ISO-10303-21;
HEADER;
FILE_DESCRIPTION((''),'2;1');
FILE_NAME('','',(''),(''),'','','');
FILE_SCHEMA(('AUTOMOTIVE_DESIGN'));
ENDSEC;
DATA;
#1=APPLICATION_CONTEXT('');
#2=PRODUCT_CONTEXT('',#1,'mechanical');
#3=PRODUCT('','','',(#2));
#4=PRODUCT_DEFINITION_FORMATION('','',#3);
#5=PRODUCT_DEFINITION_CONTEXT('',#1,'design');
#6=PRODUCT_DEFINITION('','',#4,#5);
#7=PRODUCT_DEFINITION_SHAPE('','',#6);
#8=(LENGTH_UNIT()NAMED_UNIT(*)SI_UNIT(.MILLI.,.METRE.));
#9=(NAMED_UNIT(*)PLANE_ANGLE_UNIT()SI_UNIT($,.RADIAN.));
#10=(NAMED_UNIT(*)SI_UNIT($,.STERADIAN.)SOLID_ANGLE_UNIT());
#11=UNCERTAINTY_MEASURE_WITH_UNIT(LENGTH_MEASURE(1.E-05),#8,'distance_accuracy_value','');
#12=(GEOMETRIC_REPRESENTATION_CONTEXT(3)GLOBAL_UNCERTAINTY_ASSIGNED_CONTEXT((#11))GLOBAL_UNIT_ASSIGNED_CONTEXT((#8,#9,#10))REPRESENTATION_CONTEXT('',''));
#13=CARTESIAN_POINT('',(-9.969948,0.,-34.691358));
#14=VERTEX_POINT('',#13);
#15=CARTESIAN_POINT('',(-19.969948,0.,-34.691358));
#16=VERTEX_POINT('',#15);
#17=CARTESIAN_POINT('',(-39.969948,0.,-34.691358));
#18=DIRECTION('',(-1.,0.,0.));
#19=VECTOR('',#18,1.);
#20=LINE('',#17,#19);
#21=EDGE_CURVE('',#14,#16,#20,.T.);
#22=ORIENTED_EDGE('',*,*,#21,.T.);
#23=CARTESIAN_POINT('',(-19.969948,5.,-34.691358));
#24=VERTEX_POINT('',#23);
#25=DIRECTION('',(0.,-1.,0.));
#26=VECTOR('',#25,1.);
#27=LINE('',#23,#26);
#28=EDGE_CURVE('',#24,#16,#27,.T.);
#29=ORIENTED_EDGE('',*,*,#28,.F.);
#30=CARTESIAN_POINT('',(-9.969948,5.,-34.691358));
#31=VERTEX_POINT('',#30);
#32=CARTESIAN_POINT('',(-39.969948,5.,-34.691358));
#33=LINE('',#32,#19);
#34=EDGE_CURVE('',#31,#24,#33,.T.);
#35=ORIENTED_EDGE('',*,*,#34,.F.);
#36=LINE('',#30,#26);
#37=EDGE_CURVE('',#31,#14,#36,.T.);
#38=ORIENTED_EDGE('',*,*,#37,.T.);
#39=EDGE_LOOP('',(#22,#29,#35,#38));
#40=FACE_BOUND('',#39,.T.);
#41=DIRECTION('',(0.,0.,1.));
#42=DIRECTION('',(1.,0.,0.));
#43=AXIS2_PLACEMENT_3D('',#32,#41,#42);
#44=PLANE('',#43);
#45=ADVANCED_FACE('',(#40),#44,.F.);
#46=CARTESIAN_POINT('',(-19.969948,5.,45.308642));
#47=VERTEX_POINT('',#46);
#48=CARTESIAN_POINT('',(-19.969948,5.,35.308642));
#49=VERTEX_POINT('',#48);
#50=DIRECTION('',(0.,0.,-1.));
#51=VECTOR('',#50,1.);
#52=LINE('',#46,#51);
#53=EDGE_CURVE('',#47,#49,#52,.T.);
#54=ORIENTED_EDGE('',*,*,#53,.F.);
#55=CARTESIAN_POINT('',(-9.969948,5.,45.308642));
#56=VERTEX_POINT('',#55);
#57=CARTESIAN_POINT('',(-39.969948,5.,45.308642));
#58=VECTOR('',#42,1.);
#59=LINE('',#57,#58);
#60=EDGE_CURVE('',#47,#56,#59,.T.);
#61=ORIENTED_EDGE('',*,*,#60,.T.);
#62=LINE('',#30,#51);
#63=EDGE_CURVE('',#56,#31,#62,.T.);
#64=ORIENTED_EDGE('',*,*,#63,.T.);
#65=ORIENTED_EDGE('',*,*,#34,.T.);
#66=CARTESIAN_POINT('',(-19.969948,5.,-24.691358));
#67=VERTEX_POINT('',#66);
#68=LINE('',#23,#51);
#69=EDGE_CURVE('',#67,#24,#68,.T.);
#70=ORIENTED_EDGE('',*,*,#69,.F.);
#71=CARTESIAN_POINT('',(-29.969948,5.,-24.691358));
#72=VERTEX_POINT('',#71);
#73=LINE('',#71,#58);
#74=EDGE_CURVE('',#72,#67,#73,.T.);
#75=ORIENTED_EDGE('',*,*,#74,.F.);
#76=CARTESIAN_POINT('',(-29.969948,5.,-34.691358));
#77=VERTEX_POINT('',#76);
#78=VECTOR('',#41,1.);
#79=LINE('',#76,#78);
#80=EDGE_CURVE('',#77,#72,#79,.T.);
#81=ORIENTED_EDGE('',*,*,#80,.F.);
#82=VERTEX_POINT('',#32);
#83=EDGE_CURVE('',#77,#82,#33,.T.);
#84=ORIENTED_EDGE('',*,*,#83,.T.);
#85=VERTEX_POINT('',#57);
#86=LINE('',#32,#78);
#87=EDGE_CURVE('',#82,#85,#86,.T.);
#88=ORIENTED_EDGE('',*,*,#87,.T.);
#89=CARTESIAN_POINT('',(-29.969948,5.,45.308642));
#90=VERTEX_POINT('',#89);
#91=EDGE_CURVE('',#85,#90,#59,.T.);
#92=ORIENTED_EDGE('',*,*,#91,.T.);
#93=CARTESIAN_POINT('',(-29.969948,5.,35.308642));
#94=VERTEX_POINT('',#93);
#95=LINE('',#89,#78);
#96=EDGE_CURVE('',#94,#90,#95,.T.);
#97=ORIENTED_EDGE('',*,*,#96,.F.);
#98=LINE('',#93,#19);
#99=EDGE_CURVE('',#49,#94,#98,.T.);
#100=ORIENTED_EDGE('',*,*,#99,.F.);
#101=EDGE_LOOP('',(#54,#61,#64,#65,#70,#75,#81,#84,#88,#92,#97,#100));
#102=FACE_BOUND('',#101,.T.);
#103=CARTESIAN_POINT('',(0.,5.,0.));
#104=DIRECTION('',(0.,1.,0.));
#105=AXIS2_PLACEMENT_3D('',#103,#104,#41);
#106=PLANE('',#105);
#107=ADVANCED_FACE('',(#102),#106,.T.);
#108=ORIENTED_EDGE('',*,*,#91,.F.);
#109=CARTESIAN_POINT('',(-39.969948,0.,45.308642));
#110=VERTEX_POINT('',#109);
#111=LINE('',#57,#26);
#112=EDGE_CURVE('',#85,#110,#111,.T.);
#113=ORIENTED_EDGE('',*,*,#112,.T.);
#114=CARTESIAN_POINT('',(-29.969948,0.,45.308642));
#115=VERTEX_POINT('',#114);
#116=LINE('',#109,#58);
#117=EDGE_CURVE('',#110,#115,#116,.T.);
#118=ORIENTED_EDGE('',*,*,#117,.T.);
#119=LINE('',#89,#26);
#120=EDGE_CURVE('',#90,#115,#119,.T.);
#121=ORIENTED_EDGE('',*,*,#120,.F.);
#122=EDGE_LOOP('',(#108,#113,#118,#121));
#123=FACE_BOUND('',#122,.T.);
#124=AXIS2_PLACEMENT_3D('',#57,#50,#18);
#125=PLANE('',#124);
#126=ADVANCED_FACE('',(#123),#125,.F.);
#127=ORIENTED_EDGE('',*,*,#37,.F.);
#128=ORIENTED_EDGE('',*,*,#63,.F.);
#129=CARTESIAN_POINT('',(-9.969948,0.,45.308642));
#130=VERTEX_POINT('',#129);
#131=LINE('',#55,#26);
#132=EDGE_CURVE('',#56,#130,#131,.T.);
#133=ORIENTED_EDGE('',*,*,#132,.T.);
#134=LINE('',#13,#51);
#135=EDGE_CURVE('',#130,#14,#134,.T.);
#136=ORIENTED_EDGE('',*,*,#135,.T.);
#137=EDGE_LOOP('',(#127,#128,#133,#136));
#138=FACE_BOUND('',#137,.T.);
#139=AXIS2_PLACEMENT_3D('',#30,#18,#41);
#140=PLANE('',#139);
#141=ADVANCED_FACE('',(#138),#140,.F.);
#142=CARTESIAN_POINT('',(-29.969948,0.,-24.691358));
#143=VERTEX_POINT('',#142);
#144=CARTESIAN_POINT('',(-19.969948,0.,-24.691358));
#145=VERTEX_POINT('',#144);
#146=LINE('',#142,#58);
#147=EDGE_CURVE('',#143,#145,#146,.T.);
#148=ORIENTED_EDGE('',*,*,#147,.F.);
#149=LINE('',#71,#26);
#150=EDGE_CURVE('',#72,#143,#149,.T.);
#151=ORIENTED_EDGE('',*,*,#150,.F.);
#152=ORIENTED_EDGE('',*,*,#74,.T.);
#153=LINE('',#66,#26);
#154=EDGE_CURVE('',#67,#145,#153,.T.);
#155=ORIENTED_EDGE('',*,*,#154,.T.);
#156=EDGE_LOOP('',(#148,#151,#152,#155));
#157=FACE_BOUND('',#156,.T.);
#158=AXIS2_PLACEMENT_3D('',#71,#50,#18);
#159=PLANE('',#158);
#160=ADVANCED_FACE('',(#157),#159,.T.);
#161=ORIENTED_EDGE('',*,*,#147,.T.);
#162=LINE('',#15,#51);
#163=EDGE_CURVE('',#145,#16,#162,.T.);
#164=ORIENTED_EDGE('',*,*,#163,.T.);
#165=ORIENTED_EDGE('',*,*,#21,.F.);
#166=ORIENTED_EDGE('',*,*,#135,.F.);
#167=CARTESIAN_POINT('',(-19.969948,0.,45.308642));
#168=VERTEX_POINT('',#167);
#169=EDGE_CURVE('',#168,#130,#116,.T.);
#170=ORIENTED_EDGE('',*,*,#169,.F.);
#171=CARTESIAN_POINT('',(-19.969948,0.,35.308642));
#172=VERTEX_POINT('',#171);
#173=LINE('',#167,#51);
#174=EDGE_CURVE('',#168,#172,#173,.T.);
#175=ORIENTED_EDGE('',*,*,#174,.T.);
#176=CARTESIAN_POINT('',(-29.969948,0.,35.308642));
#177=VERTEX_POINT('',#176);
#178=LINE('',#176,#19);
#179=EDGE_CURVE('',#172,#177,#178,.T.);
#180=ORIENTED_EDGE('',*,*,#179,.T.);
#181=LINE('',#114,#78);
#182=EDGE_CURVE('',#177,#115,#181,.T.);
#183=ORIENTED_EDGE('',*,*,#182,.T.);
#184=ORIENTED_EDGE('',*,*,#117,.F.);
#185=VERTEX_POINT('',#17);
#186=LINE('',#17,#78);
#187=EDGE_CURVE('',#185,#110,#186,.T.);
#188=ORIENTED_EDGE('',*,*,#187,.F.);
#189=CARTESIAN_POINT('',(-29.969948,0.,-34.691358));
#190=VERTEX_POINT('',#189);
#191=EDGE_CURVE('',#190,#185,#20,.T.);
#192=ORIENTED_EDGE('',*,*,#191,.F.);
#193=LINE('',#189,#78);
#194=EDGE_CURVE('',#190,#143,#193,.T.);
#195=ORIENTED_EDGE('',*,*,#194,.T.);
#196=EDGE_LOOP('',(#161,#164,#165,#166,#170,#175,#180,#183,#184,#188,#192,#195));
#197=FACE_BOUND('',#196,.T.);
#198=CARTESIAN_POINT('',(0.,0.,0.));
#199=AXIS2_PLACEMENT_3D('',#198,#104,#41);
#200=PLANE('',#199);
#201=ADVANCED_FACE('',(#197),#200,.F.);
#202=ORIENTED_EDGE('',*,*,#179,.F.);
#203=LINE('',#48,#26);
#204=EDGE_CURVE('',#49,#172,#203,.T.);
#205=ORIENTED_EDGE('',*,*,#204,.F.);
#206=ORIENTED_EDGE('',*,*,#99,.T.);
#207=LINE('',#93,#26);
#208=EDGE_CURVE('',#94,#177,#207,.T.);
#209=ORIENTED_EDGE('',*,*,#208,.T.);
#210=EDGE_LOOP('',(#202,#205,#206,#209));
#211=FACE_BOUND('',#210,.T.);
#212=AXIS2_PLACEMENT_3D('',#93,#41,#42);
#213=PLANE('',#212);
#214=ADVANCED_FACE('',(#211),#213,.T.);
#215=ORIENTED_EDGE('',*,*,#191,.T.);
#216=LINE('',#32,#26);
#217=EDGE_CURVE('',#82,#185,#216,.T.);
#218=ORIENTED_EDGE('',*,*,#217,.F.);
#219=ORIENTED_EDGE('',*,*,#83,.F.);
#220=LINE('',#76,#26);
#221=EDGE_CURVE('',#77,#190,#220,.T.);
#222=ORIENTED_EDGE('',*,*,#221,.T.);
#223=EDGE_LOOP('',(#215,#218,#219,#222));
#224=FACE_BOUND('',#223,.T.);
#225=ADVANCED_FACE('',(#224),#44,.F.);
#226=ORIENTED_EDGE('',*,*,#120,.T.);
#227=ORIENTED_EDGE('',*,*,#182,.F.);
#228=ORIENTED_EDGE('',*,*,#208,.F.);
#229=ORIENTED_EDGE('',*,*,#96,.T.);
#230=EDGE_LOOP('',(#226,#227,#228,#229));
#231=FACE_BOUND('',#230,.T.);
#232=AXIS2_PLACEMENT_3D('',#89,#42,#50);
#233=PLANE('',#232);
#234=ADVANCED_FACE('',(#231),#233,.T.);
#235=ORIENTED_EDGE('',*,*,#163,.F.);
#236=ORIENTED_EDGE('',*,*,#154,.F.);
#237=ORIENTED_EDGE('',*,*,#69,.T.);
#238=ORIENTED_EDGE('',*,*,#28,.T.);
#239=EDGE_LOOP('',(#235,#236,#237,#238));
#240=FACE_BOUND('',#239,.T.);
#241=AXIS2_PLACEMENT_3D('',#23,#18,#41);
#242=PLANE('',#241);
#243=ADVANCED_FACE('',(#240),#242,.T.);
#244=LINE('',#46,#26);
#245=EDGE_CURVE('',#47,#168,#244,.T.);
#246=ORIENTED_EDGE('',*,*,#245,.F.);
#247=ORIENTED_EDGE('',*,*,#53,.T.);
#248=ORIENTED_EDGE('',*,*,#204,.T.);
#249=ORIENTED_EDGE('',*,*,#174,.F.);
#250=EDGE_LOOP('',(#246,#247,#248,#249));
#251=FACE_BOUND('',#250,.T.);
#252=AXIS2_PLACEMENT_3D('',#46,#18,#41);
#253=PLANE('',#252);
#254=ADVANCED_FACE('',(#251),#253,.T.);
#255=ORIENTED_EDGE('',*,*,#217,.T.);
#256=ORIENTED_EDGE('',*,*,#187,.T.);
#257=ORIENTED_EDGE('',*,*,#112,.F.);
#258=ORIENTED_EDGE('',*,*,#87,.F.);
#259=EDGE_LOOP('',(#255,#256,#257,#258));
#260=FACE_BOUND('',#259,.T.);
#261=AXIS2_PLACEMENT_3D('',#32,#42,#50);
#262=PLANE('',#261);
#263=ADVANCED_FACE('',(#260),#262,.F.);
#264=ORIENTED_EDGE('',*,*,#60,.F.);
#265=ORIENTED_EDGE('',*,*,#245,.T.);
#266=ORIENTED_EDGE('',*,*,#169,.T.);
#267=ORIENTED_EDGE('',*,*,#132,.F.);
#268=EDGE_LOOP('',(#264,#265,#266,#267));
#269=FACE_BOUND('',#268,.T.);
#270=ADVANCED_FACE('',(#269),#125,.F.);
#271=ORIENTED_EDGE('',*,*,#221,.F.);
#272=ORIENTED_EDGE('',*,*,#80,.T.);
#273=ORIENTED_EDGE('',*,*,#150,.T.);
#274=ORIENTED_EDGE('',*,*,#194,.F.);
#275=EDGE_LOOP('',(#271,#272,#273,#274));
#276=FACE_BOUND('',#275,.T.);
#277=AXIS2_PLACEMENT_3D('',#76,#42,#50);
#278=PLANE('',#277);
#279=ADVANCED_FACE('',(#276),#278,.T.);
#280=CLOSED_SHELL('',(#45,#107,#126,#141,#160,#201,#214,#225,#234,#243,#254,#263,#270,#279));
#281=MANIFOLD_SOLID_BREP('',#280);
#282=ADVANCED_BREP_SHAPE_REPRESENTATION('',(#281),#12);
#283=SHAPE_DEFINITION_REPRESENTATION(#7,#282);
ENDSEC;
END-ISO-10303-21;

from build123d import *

# Parameters (mm, degrees)
SCHIZZO1_W                   = 30
SCHIZZO1_H                   = 80
ESTRUSIONE_ESTRUSIONE1_DEPTH = 5
SCHIZZO2_W                   = 10
SCHIZZO2_H                   = 10
TAGLIO_ESTRUSIONE1_DEPTH     = 6


with BuildPart() as part:
    # Schizzo1 → Estrusione-Estrusione1 (new body)
    with BuildSketch(Plane(origin=(0, 0, 0), x_dir=(1, 0, 0), z_dir=(0, 1, 0))):
        with Locations((-24.969948018, -5.308641975)):
            Rectangle(SCHIZZO1_W, SCHIZZO1_H)
    extrude(amount=ESTRUSIONE_ESTRUSIONE1_DEPTH)

    # Schizzo2 → Taglio-Estrusione1 (cut, through all)
    with BuildSketch(Plane(origin=(0, 0, 0), x_dir=(1, 0, 0), z_dir=(0, 1, 0))):
        with Locations((-24.969948018, 29.691358025)):
            Rectangle(SCHIZZO2_W, SCHIZZO2_H)
        with Locations((-24.969948018, -40.308641975)):
            Rectangle(SCHIZZO2_W, SCHIZZO2_H)
    extrude(amount=TAGLIO_ESTRUSIONE1_DEPTH, mode=Mode.SUBTRACT)


solid = part.part
